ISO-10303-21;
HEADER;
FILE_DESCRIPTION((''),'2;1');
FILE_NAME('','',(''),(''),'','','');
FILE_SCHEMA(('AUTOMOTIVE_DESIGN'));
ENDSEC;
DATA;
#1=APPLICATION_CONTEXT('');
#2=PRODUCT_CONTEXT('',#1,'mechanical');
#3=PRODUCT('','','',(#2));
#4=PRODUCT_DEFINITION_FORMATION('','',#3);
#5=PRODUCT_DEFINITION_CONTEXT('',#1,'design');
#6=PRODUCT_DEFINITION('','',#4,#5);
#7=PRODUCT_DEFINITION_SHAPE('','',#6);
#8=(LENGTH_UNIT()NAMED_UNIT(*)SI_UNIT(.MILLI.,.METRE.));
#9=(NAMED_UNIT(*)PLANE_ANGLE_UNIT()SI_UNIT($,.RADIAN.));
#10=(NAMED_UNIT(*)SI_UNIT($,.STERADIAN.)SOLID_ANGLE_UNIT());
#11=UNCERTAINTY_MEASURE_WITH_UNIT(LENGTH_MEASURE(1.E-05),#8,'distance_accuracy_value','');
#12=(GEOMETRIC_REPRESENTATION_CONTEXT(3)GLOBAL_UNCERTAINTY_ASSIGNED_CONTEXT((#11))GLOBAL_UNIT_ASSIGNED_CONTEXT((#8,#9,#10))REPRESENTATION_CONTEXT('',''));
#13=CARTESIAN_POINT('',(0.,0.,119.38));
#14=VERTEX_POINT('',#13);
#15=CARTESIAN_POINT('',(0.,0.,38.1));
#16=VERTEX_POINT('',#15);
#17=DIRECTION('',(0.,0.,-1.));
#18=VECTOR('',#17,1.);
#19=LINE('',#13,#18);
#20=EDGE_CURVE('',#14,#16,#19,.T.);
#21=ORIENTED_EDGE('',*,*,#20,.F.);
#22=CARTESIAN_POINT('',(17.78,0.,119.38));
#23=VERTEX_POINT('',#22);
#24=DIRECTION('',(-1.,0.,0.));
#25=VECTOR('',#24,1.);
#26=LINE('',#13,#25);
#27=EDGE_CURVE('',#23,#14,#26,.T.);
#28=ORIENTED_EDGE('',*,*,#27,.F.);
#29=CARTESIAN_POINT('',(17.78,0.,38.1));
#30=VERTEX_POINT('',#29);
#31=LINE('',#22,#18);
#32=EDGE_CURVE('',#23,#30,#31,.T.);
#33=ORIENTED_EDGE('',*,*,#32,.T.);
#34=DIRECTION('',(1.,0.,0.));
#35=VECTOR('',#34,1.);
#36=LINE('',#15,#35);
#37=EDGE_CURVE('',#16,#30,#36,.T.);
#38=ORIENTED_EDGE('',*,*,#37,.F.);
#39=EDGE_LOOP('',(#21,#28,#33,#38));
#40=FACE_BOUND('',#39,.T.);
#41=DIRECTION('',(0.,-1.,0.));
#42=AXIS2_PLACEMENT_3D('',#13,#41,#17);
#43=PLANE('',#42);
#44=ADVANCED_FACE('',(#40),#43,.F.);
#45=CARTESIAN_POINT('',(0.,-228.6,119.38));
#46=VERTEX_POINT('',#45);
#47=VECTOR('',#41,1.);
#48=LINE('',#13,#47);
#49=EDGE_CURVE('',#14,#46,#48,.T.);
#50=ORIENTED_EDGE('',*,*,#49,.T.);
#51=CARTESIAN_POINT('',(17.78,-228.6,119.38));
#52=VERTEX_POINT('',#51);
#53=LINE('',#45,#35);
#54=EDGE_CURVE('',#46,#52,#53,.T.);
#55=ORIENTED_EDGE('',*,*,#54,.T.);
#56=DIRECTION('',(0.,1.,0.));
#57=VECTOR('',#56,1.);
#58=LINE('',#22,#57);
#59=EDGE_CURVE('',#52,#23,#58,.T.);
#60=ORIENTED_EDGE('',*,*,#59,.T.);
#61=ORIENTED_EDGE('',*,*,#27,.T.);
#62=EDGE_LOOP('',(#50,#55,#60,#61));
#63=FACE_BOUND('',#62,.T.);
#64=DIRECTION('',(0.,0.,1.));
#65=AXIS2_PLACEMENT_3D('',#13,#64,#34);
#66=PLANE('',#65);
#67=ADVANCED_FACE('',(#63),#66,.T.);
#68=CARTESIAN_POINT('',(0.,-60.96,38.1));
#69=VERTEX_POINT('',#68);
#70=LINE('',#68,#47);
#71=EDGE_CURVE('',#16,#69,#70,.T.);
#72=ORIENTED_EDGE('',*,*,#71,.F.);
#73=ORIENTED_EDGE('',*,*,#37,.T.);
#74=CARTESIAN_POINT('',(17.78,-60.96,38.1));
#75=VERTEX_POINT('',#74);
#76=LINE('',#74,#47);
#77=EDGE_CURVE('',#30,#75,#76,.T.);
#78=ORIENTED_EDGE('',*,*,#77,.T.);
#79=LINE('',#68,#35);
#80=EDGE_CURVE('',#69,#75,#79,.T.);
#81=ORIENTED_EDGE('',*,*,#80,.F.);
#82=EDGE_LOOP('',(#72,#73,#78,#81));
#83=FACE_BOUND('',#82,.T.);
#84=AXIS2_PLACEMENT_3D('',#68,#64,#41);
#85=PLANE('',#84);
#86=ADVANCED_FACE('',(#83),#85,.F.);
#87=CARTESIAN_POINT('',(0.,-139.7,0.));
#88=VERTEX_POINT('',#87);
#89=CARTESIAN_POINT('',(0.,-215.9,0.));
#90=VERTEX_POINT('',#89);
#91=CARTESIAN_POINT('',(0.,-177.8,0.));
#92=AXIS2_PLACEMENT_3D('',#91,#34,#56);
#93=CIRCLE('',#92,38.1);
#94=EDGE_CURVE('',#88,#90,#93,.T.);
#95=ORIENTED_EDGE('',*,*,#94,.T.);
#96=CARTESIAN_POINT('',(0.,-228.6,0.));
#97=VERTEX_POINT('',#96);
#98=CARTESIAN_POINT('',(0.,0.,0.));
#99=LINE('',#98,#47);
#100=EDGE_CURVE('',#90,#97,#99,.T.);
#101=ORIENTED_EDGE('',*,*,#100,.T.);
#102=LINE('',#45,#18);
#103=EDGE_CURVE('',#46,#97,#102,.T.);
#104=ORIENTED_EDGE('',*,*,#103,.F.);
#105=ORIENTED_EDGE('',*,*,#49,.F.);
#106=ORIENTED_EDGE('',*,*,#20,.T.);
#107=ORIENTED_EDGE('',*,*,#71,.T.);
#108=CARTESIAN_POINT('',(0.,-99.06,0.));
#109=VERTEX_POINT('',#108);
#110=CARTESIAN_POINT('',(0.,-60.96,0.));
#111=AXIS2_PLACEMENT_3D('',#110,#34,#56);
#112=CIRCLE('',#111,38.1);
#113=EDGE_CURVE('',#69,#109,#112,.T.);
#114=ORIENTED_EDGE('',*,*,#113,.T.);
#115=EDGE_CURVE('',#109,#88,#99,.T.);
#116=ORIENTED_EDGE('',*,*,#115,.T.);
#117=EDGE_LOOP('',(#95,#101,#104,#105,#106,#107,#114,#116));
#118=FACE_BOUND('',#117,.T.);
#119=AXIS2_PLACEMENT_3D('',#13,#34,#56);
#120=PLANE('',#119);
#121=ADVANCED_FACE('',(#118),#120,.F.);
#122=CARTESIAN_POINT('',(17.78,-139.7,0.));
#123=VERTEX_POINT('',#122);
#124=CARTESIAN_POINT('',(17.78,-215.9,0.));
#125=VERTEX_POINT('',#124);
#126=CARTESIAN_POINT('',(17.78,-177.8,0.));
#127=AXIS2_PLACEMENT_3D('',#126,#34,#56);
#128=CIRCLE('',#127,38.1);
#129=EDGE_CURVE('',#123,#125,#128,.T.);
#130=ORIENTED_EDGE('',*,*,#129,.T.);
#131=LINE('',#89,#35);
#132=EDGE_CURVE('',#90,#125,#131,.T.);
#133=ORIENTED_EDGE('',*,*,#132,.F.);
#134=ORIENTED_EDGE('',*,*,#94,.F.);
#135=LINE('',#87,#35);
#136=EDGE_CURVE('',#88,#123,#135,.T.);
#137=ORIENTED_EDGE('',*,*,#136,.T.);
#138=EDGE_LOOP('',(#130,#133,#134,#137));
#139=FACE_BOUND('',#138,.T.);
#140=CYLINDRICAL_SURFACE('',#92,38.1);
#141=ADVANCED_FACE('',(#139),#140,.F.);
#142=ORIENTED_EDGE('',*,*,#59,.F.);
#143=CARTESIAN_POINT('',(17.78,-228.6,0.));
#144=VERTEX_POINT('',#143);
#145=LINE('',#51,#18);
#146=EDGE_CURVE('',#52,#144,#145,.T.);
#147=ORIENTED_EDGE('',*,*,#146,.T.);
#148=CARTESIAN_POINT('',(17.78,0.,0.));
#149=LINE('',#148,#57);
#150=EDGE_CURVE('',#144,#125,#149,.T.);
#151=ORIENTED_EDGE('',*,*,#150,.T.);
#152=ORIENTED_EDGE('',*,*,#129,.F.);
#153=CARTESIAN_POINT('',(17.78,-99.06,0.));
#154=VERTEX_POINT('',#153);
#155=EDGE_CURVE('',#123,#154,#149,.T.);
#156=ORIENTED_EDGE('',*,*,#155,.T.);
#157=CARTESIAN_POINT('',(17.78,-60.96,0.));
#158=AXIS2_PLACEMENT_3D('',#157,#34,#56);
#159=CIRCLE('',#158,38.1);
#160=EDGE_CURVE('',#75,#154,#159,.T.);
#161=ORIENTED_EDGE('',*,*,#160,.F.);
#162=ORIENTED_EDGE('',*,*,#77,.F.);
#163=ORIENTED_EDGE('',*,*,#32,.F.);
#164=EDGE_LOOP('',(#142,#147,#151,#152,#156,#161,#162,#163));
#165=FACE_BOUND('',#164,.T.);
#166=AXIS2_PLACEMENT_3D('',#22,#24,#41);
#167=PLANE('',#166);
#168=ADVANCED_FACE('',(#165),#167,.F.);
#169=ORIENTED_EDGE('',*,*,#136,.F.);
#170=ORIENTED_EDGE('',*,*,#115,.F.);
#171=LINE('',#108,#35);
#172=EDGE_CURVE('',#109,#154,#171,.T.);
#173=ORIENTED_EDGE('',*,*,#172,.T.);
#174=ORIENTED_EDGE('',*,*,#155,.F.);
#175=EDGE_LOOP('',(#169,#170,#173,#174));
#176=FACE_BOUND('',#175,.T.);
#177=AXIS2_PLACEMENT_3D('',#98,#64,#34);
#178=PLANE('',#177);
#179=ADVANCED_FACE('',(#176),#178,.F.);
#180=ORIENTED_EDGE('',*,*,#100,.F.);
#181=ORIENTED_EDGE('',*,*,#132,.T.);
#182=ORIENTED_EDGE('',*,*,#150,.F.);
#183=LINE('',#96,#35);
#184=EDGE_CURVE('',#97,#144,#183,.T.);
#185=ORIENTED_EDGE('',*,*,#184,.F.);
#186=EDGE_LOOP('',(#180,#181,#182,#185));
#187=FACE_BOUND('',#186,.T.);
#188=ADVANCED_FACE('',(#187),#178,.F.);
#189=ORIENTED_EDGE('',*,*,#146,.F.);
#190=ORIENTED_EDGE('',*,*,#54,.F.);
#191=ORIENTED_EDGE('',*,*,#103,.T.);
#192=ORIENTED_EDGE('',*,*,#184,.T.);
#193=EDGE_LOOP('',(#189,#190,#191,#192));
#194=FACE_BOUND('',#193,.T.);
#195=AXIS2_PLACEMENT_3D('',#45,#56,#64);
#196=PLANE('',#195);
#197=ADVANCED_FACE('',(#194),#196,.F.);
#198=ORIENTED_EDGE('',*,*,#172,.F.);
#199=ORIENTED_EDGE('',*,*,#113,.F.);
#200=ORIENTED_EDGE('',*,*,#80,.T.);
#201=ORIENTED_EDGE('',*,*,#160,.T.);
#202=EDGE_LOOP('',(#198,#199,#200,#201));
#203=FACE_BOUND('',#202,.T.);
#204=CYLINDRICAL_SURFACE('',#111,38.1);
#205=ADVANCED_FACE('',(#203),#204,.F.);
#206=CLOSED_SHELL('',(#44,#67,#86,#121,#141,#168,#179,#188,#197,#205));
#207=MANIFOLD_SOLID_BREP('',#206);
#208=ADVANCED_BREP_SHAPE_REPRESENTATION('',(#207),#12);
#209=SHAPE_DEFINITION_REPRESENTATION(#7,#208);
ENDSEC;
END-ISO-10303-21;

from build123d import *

# Parameters (mm, degrees)
SKETCH1_W           = 17.78
SKETCH1_H           = 228.6
BOSS_EXTRUDE1_DEPTH = 119.38
CUT_EXTRUDE1_DEPTH  = 259.506620418


with BuildPart() as part:
    # Sketch1 → Boss-Extrude1 (new body)
    with BuildSketch(Plane.XY):
        with Locations((8.89, -114.3)):
            Rectangle(SKETCH1_W, SKETCH1_H)
    extrude(amount=BOSS_EXTRUDE1_DEPTH)

    # Sketch2 → Cut-Extrude1 (cut, through all)
    with BuildSketch(Plane(origin=(17.78, 0, 0), x_dir=(0, 0, -1), z_dir=(1, 0, 0))):
        with BuildLine():
            Line((-38.1, -60.96), (-38.1, 0))
            Line((-38.1, 0), (0, 0))
            Line((0, 0), (0, -22.86))
            Line((0, -22.86), (0, -99.06))
            ThreePointArc((0, -99.06), (-26.940768363, -87.900768363), (-38.1, -60.96))
        make_face()
        with BuildLine():
            Line((0, -215.9), (0, -139.7))
            ThreePointArc((0, -139.7), (-38.1, -177.8), (0, -215.9))
        make_face()
    extrude(amount=-CUT_EXTRUDE1_DEPTH, mode=Mode.SUBTRACT)


solid = part.part
